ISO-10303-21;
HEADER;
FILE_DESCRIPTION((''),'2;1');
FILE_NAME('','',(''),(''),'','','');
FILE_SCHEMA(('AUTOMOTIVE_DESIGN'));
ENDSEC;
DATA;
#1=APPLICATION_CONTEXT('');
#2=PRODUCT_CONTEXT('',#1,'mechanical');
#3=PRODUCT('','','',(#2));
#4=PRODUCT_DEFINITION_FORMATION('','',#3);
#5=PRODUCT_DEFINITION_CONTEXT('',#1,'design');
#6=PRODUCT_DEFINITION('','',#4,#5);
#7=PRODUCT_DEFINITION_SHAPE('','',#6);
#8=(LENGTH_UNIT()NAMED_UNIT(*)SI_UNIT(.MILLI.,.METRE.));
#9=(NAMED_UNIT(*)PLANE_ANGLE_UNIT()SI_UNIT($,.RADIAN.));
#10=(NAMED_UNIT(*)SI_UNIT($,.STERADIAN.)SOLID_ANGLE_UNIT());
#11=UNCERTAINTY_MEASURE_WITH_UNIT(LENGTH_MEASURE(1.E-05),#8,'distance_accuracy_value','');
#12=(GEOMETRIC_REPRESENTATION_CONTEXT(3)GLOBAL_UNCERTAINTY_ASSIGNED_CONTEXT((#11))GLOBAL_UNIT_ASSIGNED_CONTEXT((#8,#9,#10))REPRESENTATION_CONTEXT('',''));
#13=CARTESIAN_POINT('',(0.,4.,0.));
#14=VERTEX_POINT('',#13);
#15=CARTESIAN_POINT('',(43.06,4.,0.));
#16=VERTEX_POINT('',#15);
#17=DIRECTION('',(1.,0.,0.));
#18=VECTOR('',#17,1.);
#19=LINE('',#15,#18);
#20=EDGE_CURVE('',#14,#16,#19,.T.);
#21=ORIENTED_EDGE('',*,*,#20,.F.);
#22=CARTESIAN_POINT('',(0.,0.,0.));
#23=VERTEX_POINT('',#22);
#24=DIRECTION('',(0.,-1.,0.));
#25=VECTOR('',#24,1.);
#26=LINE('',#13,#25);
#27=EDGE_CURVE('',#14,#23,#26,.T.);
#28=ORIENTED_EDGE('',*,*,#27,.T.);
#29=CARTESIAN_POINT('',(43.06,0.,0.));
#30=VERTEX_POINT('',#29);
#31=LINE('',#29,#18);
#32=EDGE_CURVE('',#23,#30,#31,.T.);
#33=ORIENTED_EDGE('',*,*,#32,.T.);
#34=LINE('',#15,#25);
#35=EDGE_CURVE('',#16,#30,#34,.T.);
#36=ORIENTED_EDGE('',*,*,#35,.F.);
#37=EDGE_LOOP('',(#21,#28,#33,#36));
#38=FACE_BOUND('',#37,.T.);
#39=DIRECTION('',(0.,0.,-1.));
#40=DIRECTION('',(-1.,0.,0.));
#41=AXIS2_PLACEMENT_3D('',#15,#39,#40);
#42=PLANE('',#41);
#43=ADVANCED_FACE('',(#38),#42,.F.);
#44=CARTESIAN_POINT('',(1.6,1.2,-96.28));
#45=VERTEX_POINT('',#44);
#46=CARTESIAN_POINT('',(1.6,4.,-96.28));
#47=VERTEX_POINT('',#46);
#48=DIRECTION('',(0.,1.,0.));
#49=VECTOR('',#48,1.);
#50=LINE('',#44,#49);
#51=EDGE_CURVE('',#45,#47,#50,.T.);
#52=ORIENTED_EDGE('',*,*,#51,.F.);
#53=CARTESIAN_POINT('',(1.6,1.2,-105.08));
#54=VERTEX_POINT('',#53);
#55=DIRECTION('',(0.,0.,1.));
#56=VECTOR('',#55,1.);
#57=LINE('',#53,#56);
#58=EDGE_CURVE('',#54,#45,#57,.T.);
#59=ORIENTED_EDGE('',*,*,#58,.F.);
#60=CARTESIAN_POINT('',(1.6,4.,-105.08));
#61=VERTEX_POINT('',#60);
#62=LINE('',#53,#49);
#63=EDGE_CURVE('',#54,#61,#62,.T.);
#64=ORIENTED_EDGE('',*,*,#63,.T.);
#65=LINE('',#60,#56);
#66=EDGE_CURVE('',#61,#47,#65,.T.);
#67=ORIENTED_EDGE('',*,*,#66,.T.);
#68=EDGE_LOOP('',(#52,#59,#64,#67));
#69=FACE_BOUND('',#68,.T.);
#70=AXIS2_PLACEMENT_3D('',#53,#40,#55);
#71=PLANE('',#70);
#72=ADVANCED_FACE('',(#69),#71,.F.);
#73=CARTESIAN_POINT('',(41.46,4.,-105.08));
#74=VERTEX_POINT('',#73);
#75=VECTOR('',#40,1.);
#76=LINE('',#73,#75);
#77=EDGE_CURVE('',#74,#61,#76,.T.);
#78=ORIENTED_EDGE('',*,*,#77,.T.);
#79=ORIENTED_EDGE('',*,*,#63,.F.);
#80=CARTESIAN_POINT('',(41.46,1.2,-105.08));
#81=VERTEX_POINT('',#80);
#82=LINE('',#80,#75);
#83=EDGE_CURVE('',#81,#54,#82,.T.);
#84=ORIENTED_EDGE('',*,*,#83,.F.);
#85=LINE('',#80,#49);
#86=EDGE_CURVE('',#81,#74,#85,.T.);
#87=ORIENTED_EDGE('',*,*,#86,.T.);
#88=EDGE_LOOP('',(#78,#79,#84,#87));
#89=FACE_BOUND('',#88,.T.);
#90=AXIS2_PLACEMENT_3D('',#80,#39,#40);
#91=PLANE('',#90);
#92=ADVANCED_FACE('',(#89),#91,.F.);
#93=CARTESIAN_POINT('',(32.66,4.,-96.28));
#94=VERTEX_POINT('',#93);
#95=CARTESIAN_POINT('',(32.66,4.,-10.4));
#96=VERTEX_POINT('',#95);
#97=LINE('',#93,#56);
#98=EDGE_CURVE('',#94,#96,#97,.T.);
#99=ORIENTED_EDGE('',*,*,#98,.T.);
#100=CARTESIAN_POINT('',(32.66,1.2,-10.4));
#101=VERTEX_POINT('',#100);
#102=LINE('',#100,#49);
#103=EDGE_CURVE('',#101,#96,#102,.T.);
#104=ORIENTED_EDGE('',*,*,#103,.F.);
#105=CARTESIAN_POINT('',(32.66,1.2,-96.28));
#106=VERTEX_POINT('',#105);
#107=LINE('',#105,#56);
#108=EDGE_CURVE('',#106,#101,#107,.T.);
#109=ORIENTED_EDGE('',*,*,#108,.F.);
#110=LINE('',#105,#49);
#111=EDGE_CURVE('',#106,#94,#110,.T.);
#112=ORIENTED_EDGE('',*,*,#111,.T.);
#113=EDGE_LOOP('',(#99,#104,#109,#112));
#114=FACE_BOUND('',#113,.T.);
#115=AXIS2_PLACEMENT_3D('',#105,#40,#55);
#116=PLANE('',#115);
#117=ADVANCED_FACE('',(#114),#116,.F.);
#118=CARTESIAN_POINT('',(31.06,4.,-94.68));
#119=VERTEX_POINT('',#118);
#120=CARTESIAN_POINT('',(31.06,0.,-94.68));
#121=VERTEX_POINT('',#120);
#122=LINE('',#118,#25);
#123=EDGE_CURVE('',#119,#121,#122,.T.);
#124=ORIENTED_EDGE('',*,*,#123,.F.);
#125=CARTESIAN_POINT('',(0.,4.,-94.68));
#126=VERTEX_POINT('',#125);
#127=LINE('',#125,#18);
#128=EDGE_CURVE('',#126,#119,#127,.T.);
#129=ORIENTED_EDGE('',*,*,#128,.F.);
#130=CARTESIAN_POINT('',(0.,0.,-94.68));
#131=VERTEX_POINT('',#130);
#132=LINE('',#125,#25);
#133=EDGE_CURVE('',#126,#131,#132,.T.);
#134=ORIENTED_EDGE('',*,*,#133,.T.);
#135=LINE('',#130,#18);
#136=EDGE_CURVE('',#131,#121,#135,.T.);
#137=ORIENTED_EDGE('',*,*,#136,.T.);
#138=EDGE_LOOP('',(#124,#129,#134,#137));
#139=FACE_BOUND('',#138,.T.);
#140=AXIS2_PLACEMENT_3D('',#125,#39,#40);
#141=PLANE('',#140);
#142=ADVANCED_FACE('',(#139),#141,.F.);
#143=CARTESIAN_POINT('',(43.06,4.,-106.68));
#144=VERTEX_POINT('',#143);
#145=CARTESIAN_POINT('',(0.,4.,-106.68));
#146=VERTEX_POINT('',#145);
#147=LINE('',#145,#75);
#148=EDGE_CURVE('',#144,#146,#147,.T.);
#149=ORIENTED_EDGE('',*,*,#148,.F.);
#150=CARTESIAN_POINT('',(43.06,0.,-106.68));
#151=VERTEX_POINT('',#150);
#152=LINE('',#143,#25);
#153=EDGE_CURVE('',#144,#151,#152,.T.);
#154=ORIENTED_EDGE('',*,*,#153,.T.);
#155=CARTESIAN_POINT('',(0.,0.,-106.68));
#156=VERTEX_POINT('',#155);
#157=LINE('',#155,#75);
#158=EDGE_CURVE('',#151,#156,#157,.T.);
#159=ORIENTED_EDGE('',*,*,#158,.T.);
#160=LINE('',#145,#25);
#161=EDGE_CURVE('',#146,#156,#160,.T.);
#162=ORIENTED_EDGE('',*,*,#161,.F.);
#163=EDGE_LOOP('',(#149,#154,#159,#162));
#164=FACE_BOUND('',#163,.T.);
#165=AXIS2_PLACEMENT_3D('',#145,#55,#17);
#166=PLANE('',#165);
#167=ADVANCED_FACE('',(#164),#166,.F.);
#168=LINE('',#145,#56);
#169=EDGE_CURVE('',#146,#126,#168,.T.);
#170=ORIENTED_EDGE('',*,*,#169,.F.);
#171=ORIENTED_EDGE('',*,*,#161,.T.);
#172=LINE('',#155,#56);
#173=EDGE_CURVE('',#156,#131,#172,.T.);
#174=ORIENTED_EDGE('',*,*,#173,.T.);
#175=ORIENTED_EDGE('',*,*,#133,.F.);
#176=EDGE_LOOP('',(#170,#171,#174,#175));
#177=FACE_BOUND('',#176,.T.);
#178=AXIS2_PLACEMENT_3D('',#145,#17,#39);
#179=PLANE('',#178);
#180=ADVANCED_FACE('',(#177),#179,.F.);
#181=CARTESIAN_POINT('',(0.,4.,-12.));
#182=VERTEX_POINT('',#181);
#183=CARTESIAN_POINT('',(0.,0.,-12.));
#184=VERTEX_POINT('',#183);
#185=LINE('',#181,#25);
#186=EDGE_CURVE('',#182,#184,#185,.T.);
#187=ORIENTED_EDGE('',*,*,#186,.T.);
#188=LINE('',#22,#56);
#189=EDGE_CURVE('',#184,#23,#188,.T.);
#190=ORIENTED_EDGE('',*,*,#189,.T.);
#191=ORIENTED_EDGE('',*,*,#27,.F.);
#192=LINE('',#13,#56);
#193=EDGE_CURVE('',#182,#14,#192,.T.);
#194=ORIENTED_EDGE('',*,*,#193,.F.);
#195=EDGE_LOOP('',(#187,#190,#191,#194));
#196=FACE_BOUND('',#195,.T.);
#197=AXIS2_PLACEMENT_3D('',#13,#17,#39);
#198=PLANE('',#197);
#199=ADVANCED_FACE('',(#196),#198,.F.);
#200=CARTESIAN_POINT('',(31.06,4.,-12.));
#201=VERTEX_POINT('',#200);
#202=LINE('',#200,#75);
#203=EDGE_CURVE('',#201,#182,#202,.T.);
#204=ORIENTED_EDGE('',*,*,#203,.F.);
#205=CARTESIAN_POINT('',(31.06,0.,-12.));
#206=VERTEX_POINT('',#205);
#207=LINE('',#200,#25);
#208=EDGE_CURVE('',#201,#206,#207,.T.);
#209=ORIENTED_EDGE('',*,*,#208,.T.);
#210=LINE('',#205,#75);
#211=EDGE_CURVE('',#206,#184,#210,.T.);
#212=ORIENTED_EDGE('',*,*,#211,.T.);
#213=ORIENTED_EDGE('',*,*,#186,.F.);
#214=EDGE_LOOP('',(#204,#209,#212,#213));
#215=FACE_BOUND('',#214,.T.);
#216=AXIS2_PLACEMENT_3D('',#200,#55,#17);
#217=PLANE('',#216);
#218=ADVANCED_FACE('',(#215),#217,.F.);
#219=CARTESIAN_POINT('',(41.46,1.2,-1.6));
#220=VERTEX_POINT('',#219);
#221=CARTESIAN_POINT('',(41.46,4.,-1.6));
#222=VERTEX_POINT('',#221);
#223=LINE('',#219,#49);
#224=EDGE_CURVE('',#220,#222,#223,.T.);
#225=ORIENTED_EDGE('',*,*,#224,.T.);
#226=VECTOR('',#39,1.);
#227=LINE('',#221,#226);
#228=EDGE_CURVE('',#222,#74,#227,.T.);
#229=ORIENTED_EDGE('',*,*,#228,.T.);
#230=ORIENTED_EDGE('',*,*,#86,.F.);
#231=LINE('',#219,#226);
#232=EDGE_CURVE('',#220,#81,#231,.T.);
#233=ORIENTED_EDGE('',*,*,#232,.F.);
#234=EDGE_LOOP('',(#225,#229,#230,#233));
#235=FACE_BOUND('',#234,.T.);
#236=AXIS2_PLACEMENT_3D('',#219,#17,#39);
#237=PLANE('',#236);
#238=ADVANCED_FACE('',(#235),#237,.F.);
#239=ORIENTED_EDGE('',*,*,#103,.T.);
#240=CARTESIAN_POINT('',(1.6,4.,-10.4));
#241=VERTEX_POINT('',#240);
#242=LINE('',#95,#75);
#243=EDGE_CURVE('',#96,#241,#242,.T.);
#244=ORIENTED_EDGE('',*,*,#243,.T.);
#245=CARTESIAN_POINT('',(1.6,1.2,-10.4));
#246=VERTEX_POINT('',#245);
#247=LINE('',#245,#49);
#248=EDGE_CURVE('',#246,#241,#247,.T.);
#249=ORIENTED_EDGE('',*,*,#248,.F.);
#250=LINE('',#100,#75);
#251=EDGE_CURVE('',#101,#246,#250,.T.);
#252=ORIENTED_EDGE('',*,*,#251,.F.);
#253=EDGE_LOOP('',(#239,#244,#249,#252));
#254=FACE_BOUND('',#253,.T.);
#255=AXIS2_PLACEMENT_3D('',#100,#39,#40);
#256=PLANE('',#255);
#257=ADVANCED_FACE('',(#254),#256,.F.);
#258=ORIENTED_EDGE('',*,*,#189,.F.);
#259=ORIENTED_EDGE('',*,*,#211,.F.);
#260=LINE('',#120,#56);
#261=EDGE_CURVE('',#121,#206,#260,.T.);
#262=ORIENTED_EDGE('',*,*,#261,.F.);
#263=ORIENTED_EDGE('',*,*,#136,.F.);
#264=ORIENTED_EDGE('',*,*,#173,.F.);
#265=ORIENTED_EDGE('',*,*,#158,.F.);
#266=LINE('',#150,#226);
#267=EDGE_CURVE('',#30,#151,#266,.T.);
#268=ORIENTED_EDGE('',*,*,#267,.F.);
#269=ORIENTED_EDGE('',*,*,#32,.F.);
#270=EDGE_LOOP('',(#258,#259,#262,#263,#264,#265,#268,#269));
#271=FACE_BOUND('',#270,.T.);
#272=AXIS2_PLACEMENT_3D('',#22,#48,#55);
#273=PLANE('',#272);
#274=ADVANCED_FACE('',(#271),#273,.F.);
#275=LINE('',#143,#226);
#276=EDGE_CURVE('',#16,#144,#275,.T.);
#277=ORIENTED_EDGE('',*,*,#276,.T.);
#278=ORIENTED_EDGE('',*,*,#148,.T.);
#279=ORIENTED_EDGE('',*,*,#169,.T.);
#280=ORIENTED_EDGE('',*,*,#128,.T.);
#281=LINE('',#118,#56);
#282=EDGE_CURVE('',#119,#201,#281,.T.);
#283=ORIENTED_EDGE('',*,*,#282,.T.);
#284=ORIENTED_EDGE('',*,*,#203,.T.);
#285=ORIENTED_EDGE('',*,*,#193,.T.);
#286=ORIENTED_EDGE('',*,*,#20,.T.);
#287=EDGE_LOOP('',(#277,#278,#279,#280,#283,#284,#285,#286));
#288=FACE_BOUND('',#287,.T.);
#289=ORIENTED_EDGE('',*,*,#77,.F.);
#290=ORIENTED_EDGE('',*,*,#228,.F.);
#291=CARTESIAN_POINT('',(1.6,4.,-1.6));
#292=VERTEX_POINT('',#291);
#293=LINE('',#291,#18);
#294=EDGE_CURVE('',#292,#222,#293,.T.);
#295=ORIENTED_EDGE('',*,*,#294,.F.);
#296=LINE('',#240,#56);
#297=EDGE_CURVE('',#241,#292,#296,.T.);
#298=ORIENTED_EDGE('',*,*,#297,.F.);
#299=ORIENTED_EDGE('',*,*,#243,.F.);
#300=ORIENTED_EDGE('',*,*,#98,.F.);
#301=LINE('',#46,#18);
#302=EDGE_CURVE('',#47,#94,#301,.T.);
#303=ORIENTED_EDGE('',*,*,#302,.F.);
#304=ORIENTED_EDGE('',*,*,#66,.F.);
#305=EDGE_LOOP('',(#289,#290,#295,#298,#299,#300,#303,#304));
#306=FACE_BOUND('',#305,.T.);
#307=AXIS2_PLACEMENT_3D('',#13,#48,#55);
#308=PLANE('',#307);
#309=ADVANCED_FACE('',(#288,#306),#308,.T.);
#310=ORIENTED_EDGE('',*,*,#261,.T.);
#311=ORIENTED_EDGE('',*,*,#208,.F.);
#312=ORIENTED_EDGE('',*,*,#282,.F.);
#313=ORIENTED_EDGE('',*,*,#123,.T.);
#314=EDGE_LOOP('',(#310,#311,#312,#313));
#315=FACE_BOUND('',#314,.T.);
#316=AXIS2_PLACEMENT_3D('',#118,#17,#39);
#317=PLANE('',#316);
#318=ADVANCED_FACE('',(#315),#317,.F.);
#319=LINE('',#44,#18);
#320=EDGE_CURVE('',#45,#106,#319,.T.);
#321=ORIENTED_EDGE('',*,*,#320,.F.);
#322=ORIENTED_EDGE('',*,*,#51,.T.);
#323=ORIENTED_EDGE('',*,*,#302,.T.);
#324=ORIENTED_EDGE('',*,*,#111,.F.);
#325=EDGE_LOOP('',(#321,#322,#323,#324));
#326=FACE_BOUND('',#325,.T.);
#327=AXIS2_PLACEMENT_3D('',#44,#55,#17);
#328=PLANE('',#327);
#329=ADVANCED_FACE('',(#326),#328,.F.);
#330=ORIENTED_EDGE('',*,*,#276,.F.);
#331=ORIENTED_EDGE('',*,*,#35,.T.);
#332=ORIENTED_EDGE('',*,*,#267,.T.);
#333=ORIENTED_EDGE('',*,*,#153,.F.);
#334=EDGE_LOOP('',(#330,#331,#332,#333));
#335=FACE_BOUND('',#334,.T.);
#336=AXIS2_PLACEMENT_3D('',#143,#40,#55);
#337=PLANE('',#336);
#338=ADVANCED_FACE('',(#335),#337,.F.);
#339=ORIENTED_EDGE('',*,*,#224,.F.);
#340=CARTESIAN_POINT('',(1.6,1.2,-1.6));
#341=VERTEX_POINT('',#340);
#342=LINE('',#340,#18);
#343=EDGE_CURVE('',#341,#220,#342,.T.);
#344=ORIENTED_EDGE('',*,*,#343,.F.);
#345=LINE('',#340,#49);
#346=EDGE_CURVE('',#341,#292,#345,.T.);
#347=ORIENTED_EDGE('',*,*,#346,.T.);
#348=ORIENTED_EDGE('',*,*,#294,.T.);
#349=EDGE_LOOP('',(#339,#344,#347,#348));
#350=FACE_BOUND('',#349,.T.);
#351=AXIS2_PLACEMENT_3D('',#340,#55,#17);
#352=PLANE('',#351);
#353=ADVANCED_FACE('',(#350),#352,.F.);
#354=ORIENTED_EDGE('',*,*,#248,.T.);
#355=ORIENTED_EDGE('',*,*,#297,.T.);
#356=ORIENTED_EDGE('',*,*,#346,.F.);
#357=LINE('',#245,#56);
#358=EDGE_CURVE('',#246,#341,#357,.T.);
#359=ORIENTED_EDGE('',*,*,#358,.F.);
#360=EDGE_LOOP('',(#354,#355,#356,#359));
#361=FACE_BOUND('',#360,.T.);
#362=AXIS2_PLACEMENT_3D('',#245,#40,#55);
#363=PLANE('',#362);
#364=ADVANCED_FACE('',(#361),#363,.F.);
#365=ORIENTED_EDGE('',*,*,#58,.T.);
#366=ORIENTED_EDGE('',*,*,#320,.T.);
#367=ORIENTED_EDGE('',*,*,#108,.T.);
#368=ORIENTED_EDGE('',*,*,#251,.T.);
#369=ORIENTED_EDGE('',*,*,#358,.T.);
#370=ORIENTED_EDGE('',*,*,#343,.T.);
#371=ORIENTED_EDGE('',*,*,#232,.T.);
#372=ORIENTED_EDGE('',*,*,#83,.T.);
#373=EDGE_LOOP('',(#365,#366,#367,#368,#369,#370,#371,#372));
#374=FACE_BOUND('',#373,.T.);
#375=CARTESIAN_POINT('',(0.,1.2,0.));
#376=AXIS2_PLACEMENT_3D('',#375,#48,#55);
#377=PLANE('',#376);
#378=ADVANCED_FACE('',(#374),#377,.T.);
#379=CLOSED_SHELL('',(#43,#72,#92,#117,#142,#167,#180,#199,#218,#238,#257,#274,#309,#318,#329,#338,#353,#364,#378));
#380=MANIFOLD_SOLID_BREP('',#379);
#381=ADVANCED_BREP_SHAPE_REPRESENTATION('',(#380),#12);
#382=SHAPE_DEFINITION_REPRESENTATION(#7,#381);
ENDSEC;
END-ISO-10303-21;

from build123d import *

# Parameters (mm, degrees)
BOSS_EXTRUDE1_DEPTH = 4
CUT_EXTRUDE1_DEPTH  = 2.8


with BuildPart() as part:
    # Sketch1 → Boss-Extrude1 (new body)
    with BuildSketch(Plane(origin=(0, 0, 0), x_dir=(1, 0, 0), z_dir=(0, 1, 0))):
        Polygon((0, 106.68), (43.06, 106.68), (43.06, 0), (0, 0), (0, 12), (31.06, 12), (31.06, 94.68), (0, 94.68), align=None)
    extrude(amount=BOSS_EXTRUDE1_DEPTH)

    # Sketch2 → Cut-Extrude1 (cut)
    with BuildSketch(Plane(origin=(0, 4, 0), x_dir=(1, 0, 0), z_dir=(0, 1, 0))):
        Polygon((1.6, 105.08), (1.6, 96.28), (32.66, 96.28), (32.66, 10.4), (1.6, 10.4), (1.6, 1.6), (41.46, 1.6), (41.46, 105.08), align=None)
    extrude(amount=-CUT_EXTRUDE1_DEPTH, mode=Mode.SUBTRACT)


solid = part.part
